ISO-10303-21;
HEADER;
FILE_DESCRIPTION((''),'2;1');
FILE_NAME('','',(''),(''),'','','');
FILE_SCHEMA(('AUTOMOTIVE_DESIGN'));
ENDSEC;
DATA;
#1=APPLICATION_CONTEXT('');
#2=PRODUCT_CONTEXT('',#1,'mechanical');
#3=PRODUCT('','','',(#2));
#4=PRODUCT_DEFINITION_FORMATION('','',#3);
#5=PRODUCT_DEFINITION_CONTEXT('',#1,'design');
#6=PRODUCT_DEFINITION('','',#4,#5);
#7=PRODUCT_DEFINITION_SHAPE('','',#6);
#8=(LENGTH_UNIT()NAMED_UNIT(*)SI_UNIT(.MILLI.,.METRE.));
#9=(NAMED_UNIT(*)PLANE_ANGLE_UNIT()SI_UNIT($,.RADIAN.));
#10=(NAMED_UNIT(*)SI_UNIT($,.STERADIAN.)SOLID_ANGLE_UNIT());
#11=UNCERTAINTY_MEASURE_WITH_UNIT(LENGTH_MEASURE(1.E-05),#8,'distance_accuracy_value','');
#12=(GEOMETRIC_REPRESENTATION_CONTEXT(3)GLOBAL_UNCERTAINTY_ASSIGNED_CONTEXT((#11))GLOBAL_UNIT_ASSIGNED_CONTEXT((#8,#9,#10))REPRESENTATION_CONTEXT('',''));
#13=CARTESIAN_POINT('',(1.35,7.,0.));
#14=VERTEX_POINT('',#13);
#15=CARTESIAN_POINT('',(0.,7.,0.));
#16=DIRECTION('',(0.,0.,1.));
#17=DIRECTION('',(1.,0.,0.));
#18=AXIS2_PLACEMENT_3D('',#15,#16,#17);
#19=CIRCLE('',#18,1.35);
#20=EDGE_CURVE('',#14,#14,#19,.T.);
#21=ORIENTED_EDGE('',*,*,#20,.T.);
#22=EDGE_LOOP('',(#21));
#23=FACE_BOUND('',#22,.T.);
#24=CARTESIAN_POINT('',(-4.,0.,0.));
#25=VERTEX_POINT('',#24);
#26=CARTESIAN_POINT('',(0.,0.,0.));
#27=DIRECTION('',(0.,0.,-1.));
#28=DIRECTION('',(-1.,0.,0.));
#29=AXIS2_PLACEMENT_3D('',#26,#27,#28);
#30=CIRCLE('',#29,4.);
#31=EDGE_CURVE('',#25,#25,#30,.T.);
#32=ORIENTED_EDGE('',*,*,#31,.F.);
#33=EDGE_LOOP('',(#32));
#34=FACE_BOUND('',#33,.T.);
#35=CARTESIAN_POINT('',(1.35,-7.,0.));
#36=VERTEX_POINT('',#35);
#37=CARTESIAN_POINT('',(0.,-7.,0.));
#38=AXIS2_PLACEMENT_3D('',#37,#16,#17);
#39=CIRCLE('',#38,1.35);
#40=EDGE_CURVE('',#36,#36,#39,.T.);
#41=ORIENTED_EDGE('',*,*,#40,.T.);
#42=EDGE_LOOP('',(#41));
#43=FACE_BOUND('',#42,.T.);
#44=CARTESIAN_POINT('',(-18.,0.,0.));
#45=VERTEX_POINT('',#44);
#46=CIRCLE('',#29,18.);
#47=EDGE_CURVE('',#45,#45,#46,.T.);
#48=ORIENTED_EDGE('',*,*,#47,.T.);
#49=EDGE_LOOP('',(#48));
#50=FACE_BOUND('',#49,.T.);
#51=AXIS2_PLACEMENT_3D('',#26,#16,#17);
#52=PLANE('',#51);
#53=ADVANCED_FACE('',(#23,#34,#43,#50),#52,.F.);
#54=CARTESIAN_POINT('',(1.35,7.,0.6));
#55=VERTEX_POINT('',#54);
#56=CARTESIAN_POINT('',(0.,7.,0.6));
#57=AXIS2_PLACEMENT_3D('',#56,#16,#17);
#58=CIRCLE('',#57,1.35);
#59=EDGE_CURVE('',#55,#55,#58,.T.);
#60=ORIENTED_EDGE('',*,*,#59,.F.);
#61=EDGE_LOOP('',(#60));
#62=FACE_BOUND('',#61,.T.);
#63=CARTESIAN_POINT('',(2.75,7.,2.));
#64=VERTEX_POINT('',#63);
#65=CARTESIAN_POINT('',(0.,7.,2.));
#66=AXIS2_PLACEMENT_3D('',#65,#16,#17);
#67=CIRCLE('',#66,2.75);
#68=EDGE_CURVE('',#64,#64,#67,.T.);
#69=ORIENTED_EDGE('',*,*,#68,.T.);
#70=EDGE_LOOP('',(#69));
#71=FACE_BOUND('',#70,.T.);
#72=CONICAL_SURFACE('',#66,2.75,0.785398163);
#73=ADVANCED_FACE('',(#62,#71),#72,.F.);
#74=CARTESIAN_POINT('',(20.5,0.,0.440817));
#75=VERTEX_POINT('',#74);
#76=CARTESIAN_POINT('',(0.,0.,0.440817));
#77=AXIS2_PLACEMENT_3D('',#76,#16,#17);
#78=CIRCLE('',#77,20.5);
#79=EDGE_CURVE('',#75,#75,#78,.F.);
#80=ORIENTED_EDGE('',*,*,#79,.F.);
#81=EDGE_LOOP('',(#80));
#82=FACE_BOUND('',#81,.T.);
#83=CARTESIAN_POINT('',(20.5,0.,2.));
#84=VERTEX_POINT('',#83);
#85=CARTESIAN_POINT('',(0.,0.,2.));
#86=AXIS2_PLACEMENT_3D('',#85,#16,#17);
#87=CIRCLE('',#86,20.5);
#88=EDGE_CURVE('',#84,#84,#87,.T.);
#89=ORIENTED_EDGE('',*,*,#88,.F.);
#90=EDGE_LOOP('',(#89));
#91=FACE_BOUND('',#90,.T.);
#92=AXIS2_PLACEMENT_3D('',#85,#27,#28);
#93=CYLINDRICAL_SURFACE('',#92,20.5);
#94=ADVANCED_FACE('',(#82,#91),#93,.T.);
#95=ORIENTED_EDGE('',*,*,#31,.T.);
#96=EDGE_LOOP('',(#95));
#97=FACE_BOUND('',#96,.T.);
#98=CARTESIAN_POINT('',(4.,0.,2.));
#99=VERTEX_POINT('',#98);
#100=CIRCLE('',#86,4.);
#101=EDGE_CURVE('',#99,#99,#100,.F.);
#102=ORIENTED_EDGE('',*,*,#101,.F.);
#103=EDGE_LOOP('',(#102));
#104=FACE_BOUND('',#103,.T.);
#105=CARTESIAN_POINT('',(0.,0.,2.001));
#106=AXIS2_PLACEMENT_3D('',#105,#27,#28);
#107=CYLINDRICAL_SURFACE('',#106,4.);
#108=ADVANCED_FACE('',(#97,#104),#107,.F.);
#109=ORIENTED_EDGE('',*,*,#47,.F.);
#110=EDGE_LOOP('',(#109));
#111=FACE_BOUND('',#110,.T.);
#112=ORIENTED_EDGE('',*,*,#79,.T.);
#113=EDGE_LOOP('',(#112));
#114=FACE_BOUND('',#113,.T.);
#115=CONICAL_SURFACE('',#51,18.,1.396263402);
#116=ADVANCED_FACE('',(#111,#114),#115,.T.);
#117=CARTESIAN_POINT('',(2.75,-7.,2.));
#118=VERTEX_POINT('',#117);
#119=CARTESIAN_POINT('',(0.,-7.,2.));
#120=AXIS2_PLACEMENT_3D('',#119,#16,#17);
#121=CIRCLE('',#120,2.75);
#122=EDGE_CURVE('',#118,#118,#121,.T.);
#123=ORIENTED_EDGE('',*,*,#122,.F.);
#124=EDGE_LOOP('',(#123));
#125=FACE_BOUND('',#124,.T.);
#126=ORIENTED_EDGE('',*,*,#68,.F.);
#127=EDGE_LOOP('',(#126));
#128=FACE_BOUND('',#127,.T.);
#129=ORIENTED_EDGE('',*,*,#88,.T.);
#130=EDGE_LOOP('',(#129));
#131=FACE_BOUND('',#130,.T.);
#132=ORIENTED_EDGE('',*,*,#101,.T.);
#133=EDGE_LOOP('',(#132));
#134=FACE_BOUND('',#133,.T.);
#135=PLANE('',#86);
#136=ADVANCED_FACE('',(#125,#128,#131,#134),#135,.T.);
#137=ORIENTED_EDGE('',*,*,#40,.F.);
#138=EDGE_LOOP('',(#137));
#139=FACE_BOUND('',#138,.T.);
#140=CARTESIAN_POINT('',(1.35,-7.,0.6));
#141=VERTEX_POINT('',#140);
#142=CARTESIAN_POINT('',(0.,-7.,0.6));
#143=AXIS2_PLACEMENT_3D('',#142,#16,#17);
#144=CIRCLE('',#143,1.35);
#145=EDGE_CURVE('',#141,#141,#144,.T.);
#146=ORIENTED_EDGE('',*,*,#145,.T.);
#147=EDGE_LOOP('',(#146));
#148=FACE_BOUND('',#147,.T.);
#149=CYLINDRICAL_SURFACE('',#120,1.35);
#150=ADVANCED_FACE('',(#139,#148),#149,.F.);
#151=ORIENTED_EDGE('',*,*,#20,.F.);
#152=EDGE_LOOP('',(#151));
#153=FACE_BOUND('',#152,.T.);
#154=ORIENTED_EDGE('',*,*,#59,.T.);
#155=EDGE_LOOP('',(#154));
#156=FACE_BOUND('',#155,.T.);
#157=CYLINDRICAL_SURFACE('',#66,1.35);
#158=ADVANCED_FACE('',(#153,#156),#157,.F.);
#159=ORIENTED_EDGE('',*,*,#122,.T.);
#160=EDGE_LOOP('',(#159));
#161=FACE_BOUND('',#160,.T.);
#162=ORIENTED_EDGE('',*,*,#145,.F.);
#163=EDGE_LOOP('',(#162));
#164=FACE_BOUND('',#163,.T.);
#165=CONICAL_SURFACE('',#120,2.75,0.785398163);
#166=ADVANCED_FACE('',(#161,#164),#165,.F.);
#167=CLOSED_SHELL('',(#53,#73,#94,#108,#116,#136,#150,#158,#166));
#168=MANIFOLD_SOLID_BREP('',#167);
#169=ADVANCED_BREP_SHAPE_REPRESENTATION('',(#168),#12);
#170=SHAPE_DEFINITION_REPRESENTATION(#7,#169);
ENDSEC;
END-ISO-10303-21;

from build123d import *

# Parameters (mm, degrees)
SKETCH1_R                                    = 20.5
BOSS_EXTRUDE1_DEPTH                          = 2
CUT_EXTRUDE1_REACH                           = 31.06
SKETCH3_R                                    = 4
CSK_FOR_M3_FLAT_COUNTERSUNK_HEAD_SCR_2_COUNT = 2
CSK_FOR_M3_FLAT_COUNTERSUNK_HEAD_SCR_2_PITCH = 14


with BuildPart() as part:
    # Sketch1 → Boss-Extrude1 (new body)
    with BuildSketch(Plane.XY):
        Circle(SKETCH1_R)
    extrude(amount=BOSS_EXTRUDE1_DEPTH)

    # Sketch2 → Cut-Revolve1 (revolve, cut)
    with BuildSketch(Plane(origin=(0, 0, 2), x_dir=(0, 0, 1), z_dir=(-1, 0, 0)), mode=Mode.PRIVATE) as cut_revolve1_sk:
        Polygon((-2, 18), (-1.558933629, 20.501411693), (-2, 20.501411693), align=None)
    revolve(cut_revolve1_sk.sketch.rotate(Axis((0, 0, -0.1), (0, 0, 1)), 270), axis=Axis((0, 0, -0.1), (0, 0, 1)), mode=Mode.SUBTRACT)

    # Sketch3 → Cut-Extrude1 (cut, up to next)
    with BuildSketch(Plane(origin=(0, 0, 0), x_dir=(-1, 0, 0), z_dir=(0, 0, -1)), mode=Mode.PRIVATE) as cut_extrude1_sk1:
        Circle(SKETCH3_R)
    cut_extrude1_tool1 = extrude(cut_extrude1_sk1.sketch, amount=-CUT_EXTRUDE1_REACH, mode=Mode.PRIVATE) & part.part
    add(cut_extrude1_tool1.solids().sort_by_distance((0, 0, 0))[0], mode=Mode.SUBTRACT)

    # Sketch5 → CSK for M3 Flat Countersunk Head Screw1 (revolve, cut)
    with BuildSketch(Plane(origin=(0, 7, 2), x_dir=(0, -1, 0), z_dir=(1, 0, 0))):
        Polygon((0, 0), (0, 2), (1.35, 2), (1.35, 1.4), (2.75, 0), align=None)
    csk_for_m3_flat_countersunk_head_screw1 = revolve(axis=Axis((0, 7, 8.35), (0, 0, -1)), mode=Mode.SUBTRACT)

    # CSK for M3 Flat Countersunk Head Scr 2: CSK for M3 Flat Countersunk Head Screw1 ×2
    with Locations(*[(0, -i * CSK_FOR_M3_FLAT_COUNTERSUNK_HEAD_SCR_2_PITCH, 0) for i in range(1, CSK_FOR_M3_FLAT_COUNTERSUNK_HEAD_SCR_2_COUNT)]):
        add(csk_for_m3_flat_countersunk_head_screw1, mode=Mode.SUBTRACT)


solid = part.part
